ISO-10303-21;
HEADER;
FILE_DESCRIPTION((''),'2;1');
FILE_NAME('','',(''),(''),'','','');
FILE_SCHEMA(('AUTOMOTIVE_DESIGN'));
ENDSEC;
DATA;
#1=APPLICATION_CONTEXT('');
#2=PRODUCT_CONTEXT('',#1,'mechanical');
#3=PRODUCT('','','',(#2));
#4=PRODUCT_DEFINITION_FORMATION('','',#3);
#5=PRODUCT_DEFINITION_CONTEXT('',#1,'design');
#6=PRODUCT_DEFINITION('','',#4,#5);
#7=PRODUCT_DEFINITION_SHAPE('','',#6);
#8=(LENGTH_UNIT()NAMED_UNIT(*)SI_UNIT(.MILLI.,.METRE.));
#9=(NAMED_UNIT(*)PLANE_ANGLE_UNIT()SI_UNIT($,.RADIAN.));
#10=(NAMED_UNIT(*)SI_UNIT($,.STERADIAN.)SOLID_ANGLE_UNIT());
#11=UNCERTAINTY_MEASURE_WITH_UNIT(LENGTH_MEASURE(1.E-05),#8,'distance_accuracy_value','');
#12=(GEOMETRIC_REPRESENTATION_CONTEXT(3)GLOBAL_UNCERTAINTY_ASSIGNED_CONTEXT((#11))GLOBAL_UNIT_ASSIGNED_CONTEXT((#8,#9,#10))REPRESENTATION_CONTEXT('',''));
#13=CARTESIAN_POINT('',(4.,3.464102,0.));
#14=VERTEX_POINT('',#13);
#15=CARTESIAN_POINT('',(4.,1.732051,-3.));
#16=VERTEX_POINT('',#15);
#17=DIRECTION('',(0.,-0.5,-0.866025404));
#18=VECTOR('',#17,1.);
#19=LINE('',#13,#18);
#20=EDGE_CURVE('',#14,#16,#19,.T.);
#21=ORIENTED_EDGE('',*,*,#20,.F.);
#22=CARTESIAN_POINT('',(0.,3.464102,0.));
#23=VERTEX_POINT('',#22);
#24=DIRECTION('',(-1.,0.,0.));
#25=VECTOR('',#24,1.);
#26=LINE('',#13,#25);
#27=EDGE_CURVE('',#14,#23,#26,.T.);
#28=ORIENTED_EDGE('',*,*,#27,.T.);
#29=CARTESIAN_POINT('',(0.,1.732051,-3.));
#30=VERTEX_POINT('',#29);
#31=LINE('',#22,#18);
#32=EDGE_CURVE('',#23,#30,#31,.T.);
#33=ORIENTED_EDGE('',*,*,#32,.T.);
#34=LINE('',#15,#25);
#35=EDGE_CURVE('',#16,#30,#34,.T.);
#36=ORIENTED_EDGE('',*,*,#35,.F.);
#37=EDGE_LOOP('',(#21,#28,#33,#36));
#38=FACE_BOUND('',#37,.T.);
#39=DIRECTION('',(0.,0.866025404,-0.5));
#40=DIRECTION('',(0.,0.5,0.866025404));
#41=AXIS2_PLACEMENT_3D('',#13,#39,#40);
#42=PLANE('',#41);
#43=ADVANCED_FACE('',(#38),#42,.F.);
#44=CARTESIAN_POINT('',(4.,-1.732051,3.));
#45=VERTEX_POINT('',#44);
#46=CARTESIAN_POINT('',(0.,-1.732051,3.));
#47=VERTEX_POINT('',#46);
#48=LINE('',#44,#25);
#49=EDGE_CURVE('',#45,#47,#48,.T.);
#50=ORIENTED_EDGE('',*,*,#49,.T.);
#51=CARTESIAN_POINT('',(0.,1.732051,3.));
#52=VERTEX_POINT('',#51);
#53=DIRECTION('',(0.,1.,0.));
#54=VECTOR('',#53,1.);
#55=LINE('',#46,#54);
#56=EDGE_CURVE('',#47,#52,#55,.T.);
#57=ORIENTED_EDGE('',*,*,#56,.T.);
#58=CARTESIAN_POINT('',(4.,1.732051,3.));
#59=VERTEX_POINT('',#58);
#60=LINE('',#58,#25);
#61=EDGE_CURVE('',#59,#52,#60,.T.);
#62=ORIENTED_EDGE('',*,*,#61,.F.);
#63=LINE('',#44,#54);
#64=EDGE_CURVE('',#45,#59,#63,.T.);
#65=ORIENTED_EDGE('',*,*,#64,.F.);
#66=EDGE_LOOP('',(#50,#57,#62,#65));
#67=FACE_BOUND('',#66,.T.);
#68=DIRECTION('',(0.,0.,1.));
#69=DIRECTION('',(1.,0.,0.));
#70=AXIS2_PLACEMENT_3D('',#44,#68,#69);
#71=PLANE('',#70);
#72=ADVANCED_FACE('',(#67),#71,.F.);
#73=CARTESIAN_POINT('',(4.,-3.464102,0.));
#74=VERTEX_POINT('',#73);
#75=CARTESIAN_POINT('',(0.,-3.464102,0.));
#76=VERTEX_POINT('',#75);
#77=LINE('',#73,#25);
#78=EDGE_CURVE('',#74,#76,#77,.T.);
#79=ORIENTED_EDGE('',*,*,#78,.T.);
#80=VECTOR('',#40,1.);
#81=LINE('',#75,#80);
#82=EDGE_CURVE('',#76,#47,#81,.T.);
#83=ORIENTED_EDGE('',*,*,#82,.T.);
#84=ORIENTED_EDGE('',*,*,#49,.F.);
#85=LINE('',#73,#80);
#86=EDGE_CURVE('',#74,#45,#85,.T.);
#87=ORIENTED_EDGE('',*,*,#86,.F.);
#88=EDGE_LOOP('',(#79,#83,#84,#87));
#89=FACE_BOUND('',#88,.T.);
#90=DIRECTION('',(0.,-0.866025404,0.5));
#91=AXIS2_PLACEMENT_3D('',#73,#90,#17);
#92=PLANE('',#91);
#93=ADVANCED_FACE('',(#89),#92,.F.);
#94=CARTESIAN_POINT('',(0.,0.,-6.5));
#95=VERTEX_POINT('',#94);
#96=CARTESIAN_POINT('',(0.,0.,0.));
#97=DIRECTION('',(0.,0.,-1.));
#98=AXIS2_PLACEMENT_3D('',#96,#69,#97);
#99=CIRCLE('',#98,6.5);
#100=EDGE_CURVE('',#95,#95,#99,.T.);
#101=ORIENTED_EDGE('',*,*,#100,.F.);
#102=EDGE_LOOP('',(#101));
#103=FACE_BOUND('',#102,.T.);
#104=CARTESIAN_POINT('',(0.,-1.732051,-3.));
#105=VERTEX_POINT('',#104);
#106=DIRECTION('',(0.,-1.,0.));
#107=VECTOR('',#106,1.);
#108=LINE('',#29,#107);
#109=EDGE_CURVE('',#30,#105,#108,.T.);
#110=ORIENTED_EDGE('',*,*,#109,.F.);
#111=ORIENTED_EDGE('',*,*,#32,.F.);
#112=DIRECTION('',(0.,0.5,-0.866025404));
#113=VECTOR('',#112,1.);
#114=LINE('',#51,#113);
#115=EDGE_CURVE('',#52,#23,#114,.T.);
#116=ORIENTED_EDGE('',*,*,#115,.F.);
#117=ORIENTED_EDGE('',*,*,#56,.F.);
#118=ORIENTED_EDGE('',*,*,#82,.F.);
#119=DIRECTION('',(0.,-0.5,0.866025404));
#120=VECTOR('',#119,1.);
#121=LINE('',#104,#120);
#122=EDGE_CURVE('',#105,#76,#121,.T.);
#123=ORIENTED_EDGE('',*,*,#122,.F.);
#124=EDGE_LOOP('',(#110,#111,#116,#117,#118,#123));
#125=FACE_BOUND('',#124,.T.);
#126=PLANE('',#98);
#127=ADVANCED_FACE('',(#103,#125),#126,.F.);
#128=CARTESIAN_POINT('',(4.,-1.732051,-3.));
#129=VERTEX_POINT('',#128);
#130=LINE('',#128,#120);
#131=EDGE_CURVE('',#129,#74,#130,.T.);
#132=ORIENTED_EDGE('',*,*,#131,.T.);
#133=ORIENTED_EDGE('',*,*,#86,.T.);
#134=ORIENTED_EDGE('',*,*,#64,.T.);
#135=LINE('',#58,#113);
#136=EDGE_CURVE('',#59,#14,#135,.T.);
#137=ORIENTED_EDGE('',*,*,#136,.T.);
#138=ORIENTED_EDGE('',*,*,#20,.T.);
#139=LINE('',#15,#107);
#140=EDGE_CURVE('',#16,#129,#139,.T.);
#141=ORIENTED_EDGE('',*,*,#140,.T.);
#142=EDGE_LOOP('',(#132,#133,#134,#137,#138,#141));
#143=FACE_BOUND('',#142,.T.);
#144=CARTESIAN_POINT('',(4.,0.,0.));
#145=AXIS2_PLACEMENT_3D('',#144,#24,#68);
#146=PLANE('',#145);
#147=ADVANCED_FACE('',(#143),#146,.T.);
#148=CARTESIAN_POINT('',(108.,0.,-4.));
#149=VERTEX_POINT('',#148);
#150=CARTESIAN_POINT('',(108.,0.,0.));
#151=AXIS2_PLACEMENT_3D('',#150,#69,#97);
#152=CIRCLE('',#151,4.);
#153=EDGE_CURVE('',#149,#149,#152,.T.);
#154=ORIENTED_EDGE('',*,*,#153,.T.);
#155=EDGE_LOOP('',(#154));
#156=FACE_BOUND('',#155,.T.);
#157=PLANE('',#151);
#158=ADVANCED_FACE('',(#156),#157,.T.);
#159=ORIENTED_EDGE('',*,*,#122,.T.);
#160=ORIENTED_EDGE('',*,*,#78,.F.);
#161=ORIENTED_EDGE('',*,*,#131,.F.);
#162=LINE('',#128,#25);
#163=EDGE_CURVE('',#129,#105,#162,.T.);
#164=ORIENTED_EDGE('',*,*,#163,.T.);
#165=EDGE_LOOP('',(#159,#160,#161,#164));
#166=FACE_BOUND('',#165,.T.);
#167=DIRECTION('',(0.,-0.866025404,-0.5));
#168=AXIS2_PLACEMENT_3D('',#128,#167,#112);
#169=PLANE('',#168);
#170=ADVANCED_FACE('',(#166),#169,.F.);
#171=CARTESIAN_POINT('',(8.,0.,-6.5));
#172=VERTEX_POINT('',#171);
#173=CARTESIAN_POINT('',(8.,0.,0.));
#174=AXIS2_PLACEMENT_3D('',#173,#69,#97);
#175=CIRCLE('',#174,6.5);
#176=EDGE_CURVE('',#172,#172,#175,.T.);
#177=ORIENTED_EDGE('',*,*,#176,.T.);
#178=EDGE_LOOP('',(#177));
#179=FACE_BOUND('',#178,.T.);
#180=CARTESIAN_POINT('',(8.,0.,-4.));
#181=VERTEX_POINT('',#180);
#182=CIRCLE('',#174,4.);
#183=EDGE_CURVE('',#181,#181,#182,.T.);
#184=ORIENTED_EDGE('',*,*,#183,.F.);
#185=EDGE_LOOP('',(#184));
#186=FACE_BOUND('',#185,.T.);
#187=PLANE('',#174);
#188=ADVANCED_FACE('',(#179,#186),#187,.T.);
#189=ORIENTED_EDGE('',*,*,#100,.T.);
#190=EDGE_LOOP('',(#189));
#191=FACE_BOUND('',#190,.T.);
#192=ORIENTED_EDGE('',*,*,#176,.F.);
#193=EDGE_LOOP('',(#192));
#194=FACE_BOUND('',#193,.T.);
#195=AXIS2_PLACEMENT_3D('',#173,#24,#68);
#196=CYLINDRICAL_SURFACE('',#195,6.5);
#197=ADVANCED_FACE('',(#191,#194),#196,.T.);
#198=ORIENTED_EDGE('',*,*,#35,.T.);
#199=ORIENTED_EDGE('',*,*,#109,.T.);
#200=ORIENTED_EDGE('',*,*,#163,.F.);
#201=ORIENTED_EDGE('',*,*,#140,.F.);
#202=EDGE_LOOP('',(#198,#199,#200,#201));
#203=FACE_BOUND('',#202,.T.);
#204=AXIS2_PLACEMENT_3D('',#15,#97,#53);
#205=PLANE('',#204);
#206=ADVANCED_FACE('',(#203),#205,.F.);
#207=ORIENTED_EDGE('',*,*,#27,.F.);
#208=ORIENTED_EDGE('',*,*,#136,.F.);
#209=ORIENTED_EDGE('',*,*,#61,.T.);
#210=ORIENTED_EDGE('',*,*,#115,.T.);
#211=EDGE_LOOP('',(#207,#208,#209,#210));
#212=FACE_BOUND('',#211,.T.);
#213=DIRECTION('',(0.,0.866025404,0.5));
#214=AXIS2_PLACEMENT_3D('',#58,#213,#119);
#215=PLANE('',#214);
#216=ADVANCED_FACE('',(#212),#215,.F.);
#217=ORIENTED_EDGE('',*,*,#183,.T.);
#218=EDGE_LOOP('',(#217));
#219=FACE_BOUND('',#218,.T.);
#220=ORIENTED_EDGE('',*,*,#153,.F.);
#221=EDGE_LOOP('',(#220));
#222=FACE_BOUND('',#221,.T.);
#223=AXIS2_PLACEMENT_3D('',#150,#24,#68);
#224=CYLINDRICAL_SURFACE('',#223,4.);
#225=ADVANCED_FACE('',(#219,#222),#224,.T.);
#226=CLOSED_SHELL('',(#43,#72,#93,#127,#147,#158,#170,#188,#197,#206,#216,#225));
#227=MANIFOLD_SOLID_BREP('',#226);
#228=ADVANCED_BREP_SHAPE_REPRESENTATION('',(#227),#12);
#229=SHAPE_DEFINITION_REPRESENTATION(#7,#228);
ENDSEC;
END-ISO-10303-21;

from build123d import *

# Parameters (mm, degrees)
SKETCH1_R           = 6.5
BOSS_EXTRUDE1_DEPTH = 8
CUT_EXTRUDE1_DEPTH  = 4
SKETCH3_R           = 4
BOSS_EXTRUDE2_DEPTH = 100


with BuildPart() as part:
    # Sketch1 → Boss-Extrude1 (new body)
    with BuildSketch(Plane.YZ):
        with Locations(Location((0, 0, 0), (0, 0, 270))):
            Circle(SKETCH1_R)
    extrude(amount=BOSS_EXTRUDE1_DEPTH)

    # Sketch2 → Cut-Extrude1 (cut)
    with BuildSketch(Plane(origin=(0, 0, 0), x_dir=(0, -1, 0), z_dir=(-1, 0, 0))):
        Polygon((3.464101615, 0), (1.732050808, 3), (-1.732050808, 3), (-3.464101615, 0), (-1.732050808, -3), (1.732050808, -3), align=None)
    extrude(amount=-CUT_EXTRUDE1_DEPTH, mode=Mode.SUBTRACT)

    # Sketch3 → Boss-Extrude2 (add)
    with BuildSketch(Plane.YZ.offset(8)):
        with Locations(Location((0, 0, 0), (0, 0, 270))):
            Circle(SKETCH3_R)
    extrude(amount=BOSS_EXTRUDE2_DEPTH)


solid = part.part
